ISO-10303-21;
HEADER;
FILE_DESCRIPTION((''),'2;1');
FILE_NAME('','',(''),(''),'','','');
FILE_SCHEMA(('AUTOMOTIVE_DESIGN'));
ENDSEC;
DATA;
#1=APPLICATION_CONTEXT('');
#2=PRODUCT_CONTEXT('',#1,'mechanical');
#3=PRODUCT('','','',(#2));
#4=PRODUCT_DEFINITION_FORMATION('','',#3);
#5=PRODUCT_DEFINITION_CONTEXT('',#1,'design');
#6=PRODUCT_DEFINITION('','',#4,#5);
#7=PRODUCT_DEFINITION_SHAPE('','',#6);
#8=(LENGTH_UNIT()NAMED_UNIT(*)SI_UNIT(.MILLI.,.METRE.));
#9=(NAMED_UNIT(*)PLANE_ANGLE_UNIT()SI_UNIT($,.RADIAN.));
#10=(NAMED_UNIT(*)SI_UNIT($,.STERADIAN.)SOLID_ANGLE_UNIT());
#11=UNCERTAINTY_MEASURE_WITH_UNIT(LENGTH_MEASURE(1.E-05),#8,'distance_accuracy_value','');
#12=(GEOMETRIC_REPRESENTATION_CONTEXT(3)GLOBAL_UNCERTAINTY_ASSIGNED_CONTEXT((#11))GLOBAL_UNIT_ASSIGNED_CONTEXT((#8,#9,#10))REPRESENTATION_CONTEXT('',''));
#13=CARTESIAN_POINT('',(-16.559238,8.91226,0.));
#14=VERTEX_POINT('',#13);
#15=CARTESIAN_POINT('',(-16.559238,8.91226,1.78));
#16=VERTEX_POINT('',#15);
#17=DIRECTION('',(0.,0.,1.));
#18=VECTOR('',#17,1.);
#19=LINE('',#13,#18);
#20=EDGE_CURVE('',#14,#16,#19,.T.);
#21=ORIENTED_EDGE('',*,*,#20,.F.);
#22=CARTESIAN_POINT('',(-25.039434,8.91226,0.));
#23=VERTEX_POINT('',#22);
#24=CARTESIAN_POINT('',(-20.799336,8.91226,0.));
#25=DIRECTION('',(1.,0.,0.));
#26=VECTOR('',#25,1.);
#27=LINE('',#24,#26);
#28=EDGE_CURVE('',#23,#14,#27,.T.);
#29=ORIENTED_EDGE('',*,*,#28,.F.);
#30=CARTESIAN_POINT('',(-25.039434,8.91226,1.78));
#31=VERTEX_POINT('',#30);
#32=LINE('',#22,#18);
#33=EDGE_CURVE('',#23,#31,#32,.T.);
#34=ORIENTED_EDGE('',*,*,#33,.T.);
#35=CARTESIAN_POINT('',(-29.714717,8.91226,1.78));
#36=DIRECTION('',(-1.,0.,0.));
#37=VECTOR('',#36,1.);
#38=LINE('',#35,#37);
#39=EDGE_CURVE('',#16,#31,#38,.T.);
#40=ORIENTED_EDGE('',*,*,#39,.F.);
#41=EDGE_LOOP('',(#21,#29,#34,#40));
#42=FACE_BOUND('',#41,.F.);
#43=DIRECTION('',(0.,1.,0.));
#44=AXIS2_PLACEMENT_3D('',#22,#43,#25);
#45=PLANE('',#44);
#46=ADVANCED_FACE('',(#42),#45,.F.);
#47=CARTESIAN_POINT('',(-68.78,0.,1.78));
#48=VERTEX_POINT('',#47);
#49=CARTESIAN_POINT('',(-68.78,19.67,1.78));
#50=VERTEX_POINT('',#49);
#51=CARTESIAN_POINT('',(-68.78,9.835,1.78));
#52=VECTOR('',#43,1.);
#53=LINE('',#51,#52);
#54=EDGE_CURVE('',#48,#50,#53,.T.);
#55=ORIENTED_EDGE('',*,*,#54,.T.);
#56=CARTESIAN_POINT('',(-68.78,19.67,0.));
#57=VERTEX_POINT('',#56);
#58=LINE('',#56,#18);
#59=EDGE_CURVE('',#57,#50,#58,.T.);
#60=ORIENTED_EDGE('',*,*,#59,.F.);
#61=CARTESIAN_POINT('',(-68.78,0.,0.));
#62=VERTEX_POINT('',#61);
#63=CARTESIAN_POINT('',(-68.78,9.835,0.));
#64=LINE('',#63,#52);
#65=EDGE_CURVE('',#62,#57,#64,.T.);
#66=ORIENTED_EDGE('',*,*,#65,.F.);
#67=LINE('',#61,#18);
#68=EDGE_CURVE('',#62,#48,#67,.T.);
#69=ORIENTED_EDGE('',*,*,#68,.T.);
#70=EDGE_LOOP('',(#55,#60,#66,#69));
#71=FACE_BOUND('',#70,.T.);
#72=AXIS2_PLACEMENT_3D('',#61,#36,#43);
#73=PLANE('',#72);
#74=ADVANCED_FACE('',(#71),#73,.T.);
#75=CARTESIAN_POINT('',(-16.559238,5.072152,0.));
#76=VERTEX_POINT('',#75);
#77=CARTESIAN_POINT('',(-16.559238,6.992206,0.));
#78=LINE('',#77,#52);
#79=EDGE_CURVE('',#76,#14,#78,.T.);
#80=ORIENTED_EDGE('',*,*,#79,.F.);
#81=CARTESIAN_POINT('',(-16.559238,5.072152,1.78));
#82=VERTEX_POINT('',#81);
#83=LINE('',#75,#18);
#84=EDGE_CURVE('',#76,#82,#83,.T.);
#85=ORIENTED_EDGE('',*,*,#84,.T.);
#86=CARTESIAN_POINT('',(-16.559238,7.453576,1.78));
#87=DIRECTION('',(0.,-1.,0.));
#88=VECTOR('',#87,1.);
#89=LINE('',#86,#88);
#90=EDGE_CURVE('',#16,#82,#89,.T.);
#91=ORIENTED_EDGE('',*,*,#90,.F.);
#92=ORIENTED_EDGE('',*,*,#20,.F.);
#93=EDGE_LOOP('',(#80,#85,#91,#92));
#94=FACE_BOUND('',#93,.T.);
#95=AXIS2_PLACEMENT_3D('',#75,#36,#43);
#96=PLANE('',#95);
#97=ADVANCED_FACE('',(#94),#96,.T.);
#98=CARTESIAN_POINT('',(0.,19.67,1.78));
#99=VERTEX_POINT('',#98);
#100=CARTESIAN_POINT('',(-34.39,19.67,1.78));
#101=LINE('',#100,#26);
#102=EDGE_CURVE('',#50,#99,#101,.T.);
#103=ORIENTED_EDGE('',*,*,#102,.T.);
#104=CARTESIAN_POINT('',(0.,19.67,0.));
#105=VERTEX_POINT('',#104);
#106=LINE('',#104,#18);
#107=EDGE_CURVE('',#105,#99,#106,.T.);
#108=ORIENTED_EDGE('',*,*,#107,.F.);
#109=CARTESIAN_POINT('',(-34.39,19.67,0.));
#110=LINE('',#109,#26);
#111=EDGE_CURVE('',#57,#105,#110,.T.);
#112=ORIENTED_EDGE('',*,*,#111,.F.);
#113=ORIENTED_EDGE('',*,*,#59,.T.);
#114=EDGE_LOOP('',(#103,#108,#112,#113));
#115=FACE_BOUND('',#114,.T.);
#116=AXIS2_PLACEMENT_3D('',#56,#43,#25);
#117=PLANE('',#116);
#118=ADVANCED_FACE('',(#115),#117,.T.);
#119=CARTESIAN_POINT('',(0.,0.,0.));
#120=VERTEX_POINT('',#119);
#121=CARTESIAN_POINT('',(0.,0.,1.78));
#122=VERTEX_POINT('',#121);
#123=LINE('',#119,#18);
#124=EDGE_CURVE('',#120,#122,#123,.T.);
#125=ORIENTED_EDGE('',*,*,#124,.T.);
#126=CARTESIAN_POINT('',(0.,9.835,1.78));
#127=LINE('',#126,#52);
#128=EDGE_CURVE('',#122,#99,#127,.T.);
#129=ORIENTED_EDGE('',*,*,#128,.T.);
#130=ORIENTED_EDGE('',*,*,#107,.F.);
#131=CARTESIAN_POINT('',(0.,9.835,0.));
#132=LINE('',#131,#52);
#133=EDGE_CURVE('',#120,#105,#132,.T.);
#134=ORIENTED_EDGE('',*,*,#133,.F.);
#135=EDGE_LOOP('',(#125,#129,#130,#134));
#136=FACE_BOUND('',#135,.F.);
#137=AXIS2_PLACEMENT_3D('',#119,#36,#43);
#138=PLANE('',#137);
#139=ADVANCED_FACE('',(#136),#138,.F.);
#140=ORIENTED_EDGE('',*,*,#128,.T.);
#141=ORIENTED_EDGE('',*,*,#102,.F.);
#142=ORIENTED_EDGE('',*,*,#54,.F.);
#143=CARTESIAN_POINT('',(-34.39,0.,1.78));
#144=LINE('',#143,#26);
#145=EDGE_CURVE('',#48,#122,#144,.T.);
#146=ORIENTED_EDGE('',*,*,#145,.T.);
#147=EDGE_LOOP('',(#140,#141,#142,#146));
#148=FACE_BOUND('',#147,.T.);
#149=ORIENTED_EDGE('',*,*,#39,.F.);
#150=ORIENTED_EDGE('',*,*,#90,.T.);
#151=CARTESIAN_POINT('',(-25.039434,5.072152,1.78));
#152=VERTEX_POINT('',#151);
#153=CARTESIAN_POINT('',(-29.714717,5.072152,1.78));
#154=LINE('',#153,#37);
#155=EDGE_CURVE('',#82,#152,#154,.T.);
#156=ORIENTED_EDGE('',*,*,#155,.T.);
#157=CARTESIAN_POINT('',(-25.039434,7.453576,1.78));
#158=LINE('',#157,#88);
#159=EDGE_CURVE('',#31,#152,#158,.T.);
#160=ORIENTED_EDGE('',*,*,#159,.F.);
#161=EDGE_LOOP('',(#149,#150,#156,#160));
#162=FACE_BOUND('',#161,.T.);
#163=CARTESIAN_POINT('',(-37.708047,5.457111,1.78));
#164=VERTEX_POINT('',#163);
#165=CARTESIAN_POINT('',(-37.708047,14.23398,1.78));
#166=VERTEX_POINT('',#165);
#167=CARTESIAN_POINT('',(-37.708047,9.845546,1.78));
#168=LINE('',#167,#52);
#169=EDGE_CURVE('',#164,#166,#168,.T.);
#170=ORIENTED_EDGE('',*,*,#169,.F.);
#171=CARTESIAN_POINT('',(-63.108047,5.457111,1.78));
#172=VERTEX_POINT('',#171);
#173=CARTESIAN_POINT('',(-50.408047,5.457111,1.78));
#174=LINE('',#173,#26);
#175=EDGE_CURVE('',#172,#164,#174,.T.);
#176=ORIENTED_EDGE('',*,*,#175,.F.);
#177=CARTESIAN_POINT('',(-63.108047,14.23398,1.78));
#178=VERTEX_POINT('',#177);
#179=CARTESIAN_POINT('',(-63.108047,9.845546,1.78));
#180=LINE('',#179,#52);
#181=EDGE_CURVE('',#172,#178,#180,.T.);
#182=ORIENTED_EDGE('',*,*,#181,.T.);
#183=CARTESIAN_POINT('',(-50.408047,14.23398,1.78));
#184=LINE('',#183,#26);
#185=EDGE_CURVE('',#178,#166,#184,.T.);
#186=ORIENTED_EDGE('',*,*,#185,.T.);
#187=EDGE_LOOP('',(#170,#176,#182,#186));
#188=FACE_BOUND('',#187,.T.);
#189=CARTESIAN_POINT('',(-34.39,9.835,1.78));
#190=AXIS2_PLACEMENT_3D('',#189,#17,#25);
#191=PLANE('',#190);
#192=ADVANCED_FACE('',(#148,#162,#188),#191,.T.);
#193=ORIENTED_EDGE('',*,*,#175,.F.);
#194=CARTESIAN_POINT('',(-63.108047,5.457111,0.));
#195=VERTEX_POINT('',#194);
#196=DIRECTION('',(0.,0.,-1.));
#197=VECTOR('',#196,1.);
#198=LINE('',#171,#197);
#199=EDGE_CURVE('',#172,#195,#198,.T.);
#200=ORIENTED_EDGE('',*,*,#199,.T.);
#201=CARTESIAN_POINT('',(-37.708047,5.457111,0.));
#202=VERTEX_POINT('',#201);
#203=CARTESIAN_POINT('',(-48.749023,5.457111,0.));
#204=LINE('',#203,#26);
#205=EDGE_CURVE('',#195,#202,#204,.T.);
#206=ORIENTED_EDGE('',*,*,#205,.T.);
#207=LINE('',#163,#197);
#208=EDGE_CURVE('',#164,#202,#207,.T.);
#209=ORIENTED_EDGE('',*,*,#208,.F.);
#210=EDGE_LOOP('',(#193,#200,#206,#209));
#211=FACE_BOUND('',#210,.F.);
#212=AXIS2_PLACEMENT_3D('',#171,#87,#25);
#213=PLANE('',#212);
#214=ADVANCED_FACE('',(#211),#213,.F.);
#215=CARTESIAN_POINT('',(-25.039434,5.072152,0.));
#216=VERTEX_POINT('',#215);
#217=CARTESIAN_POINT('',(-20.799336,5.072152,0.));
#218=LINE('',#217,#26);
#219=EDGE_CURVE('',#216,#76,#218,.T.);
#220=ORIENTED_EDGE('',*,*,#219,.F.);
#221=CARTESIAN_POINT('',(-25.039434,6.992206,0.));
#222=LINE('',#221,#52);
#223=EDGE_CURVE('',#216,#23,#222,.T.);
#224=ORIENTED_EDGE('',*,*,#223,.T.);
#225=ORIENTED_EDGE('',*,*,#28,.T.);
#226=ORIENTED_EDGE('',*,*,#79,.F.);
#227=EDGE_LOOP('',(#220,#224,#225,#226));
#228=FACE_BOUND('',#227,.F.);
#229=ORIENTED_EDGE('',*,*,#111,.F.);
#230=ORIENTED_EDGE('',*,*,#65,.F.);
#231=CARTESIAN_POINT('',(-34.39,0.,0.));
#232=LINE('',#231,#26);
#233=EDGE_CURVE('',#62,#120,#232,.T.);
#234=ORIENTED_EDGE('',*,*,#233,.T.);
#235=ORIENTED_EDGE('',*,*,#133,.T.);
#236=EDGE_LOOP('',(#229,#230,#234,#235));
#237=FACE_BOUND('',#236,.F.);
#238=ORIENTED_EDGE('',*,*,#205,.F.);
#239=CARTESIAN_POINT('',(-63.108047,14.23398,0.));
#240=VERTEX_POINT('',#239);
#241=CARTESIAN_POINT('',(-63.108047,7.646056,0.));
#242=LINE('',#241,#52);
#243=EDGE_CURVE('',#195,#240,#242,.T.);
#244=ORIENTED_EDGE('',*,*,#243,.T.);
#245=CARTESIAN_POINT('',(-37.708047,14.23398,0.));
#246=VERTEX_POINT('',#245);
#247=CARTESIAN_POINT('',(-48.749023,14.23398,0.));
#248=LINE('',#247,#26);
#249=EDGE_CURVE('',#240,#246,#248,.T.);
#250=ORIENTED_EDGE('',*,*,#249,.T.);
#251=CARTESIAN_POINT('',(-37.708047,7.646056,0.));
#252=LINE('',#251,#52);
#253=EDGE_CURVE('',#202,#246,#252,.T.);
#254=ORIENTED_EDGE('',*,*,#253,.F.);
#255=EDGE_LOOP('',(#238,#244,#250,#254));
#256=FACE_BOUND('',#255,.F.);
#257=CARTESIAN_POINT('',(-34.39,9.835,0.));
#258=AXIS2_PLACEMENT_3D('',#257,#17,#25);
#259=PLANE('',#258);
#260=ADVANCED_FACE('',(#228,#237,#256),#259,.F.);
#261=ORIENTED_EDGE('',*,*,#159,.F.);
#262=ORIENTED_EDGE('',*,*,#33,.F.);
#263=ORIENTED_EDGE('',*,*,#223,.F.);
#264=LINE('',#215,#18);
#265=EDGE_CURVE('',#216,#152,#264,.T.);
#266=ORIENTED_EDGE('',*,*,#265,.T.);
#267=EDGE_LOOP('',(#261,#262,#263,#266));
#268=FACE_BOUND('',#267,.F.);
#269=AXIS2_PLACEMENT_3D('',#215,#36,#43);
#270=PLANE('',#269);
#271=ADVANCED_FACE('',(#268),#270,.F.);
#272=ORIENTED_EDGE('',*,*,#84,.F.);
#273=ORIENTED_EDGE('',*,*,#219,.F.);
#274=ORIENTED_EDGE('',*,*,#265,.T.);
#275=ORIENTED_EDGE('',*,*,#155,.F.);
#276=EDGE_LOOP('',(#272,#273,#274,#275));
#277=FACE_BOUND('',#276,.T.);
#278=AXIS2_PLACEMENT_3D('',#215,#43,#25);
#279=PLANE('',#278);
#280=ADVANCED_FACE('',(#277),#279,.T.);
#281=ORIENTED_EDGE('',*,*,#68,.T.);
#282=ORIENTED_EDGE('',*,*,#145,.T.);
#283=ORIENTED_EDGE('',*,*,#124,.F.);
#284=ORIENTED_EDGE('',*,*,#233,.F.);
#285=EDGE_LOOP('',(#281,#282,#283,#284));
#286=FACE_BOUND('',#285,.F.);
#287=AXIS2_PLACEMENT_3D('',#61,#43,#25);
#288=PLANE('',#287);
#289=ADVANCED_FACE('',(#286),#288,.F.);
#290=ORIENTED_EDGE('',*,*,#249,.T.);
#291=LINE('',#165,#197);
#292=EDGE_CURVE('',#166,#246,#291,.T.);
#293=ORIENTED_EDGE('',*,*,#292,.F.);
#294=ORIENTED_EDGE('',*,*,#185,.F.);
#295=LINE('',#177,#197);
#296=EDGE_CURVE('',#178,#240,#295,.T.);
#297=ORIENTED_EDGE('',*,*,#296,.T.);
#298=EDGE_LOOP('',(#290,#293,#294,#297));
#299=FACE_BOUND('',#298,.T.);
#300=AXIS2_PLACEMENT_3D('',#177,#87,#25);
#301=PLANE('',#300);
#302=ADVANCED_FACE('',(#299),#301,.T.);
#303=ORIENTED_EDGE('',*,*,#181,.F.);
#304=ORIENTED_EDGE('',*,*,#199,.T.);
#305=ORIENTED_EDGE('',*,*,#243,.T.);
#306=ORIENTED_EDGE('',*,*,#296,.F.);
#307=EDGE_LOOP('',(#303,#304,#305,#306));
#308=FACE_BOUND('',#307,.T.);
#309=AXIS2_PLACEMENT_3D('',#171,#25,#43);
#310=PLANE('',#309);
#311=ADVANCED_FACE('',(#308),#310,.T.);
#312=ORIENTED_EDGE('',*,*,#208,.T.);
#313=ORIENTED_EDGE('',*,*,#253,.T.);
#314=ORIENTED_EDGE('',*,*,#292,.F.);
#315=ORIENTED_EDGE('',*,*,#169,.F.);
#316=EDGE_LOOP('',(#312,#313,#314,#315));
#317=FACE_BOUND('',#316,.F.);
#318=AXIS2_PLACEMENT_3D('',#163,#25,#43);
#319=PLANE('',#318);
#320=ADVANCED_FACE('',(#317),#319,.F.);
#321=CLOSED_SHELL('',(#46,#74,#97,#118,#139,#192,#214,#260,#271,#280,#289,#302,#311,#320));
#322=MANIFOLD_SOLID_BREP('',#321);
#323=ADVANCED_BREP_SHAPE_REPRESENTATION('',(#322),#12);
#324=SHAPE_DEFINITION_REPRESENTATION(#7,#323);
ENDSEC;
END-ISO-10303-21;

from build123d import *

# Parameters (mm, degrees)
F0_W     = 68.78
F0_H     = 19.67
F1_DEPTH = 1.78
F2_W     = 25.4
F2_H     = 8.776869
F3_DEPTH = 25.4
F4_W     = 8.480195
F4_H     = 3.840108
F5_DEPTH = 1.781


with BuildPart() as f1:
    # F0 (on Top) → F1 (new body)
    with BuildSketch(Plane.XY):
        with Locations((-34.39, 9.835)):
            Rectangle(F0_W, F0_H)
    extrude(amount=F1_DEPTH)

    # F2 (on face) → F3 (cut)
    with BuildSketch(Plane.XY.offset(1.78)):
        with Locations((-50.408047, 9.845546)):
            Rectangle(F2_W, F2_H)
    extrude(amount=-F3_DEPTH, mode=Mode.SUBTRACT)

    # F4 (on Top) → F5 (cut, through all)
    with BuildSketch(Plane.XY):
        with Locations((-20.799336, 6.992206)):
            Rectangle(F4_W, F4_H)
    extrude(amount=F5_DEPTH, mode=Mode.SUBTRACT)


solid = f1.part
